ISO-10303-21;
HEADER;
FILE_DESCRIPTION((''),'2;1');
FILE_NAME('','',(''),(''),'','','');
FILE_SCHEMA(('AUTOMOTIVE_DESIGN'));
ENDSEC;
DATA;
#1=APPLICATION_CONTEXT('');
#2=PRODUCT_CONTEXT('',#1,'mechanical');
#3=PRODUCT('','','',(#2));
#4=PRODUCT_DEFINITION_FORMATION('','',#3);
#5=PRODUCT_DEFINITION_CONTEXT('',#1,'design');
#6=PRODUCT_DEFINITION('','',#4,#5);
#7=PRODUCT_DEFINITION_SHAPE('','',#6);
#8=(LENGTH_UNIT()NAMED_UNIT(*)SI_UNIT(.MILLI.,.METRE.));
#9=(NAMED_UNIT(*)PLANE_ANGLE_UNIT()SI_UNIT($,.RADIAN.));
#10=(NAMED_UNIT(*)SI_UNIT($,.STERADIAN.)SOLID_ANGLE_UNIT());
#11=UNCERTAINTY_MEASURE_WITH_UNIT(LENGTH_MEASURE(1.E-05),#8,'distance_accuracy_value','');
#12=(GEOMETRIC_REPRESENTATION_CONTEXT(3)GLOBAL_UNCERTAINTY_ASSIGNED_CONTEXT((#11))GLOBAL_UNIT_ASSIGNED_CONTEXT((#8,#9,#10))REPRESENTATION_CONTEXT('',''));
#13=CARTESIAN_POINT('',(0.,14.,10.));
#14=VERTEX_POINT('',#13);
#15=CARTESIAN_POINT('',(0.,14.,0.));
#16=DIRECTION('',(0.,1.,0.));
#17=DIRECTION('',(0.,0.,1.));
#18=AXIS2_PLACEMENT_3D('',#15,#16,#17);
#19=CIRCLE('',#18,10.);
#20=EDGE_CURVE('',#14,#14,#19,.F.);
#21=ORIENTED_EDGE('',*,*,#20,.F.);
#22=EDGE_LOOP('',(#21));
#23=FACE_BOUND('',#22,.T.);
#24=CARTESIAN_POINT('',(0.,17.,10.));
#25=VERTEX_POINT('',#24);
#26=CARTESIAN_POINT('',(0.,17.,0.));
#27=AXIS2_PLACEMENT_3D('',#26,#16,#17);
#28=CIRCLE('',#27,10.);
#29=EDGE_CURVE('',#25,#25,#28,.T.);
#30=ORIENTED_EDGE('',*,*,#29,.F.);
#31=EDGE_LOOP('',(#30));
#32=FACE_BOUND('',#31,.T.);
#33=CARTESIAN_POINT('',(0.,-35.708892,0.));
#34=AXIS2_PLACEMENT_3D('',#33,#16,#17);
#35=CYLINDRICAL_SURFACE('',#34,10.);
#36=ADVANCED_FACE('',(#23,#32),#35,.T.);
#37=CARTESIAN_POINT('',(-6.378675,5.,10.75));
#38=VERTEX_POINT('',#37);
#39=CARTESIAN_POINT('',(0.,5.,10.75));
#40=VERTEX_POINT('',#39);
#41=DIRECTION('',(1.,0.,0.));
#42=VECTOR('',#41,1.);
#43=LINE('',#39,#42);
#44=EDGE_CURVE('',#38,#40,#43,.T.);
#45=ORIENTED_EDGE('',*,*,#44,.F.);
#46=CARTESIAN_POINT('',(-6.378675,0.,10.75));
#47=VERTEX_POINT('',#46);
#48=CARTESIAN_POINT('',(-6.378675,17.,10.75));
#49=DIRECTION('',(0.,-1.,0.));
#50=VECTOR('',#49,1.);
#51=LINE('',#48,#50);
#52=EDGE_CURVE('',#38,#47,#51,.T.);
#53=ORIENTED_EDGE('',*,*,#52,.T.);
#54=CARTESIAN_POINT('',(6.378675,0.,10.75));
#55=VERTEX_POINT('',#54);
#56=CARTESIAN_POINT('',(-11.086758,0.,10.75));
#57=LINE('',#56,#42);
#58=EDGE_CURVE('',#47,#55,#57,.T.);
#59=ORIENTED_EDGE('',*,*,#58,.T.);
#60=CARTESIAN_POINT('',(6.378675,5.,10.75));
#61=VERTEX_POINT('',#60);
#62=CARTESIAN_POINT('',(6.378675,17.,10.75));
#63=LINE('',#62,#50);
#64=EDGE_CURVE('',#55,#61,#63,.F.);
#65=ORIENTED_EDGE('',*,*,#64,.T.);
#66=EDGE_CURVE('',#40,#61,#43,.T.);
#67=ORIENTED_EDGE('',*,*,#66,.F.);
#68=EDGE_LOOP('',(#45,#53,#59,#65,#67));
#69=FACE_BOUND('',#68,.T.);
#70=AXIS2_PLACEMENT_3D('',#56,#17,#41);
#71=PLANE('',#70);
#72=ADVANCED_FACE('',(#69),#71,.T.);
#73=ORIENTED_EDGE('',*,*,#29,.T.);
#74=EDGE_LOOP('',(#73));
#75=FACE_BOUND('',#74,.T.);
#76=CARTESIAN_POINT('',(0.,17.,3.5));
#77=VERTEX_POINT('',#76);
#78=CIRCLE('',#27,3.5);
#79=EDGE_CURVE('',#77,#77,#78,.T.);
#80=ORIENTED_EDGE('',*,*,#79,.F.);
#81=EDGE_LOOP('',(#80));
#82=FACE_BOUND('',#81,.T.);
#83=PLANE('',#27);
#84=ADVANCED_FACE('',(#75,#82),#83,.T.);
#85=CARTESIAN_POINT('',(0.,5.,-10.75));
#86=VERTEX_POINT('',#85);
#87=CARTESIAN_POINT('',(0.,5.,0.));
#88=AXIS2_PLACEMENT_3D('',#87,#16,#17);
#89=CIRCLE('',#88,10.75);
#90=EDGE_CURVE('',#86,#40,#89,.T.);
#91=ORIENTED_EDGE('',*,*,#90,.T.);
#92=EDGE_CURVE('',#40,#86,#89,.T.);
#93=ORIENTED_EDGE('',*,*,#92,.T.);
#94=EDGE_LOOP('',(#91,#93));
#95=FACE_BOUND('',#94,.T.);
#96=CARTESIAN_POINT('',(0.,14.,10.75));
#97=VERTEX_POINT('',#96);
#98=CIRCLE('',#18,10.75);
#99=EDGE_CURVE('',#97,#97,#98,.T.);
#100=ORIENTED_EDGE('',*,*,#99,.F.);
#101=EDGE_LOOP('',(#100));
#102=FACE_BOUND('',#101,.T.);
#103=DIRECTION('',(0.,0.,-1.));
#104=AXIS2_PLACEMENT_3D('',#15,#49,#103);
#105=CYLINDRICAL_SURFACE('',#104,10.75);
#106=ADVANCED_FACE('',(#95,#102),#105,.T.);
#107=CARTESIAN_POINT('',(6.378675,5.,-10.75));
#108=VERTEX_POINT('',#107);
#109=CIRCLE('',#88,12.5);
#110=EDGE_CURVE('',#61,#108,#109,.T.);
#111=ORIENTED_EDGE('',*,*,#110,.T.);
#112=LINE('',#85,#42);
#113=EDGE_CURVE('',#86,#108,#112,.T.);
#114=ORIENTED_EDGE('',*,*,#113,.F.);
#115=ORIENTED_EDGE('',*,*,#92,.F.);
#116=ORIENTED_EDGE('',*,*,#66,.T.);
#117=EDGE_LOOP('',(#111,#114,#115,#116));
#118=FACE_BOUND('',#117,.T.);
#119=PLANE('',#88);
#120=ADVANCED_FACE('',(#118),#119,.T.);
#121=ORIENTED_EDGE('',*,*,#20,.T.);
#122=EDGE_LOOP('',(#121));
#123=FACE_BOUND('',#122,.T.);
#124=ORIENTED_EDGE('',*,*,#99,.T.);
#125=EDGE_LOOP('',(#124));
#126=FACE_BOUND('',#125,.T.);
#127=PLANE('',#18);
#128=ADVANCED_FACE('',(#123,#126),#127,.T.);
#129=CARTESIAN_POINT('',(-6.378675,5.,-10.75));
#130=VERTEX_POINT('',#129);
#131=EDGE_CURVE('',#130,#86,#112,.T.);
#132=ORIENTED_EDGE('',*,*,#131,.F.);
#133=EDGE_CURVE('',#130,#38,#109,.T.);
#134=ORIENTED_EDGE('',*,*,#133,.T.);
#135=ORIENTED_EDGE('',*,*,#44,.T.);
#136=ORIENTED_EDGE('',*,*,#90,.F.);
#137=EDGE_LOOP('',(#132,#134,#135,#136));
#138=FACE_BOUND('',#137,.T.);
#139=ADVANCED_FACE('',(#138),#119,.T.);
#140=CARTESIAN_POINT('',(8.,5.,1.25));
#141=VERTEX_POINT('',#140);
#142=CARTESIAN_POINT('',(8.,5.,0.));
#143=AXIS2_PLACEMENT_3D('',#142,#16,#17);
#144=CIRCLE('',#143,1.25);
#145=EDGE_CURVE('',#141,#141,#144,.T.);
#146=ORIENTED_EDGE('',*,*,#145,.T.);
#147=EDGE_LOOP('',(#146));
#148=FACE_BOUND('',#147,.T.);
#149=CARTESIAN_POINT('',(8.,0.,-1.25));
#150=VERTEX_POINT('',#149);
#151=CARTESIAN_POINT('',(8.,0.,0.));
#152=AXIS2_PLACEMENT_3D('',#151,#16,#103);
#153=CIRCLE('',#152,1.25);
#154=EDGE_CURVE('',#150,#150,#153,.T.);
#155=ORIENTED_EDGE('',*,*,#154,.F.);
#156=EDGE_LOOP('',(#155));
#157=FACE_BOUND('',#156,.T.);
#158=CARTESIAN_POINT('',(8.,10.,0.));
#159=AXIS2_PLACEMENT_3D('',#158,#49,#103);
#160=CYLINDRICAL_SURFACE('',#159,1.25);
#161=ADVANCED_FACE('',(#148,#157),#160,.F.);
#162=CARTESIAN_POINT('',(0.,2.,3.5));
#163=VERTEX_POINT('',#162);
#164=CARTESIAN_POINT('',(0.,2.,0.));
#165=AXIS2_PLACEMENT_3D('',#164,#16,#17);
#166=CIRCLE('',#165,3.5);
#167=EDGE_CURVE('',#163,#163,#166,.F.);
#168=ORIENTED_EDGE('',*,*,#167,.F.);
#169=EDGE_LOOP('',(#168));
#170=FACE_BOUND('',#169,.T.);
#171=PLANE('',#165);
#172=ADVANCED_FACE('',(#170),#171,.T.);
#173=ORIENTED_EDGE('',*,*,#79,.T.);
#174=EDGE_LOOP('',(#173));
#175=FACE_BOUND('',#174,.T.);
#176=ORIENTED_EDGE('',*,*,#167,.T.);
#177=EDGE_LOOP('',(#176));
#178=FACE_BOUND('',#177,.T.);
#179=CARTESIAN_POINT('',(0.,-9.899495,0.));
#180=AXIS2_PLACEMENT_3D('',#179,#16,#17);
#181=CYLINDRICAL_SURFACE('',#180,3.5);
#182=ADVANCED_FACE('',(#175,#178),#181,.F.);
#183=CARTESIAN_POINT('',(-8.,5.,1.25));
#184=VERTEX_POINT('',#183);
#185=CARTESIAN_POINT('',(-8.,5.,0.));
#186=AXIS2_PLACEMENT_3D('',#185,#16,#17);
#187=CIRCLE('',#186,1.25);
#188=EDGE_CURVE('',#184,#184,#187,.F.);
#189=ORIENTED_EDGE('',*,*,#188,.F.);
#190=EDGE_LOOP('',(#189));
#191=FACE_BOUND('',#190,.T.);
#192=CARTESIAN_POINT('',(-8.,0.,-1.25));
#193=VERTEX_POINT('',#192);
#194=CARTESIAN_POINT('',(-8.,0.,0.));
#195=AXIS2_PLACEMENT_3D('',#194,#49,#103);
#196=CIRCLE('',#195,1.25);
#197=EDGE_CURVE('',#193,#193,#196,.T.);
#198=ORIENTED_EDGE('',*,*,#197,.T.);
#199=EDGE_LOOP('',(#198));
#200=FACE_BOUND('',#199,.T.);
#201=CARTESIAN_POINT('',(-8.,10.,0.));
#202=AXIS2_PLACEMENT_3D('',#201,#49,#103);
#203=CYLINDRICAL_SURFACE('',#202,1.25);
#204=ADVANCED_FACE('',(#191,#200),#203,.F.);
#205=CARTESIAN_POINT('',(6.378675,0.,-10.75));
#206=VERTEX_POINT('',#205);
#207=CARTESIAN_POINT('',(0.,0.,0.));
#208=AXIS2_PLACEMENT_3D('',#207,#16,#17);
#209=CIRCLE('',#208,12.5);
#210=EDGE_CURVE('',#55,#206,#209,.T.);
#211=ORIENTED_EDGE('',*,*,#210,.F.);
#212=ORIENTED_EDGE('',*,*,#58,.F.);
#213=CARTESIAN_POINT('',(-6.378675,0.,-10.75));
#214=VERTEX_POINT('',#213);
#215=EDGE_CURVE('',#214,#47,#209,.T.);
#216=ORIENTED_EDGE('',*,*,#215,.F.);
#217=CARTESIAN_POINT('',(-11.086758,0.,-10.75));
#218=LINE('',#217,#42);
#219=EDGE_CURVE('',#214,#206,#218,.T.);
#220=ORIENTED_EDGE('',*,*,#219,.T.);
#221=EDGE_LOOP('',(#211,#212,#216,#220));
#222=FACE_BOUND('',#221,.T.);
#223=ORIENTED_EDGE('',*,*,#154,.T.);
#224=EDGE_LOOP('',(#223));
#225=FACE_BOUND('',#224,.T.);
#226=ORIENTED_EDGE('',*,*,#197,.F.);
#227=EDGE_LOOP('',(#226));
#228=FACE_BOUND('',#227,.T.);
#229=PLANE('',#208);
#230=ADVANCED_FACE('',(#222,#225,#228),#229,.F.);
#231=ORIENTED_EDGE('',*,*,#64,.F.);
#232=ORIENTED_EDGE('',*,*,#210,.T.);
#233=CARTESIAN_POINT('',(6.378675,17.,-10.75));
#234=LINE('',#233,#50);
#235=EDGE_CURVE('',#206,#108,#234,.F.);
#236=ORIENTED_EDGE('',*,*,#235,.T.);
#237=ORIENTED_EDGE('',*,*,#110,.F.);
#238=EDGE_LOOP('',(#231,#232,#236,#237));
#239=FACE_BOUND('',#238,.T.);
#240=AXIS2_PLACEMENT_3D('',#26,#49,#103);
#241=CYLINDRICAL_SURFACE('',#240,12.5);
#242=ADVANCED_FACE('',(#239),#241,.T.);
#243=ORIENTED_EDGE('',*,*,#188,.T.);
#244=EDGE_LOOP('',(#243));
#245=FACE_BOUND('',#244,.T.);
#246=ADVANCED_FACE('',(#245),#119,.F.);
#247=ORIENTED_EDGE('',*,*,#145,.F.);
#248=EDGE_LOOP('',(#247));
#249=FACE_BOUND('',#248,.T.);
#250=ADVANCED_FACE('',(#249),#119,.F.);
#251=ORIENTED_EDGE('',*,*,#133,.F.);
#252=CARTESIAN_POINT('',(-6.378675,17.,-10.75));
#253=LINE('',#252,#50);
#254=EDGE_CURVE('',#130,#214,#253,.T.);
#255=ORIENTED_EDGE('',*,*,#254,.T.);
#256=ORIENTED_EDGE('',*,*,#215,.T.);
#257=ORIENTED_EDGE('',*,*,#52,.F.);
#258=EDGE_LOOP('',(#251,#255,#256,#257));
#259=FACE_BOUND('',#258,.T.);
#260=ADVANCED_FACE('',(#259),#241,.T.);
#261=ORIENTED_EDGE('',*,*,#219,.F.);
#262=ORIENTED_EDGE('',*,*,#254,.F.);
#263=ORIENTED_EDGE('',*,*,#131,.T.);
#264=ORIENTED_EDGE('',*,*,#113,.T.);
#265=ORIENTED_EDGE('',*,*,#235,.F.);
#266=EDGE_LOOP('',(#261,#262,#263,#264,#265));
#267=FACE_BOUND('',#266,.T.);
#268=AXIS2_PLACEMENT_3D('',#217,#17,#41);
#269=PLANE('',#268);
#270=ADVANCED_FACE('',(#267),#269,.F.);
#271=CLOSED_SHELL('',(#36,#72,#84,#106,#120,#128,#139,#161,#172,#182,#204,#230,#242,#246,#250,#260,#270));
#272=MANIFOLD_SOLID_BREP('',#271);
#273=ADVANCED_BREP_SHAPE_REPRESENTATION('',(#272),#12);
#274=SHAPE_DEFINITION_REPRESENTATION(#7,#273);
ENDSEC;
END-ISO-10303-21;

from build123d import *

# Parameters (mm, degrees)
SKETCH1_R           = 12.5
BOSS_EXTRUDE1_DEPTH = 17
SKETCH2_R           = 3.5
CUT_EXTRUDE1_DEPTH  = 15
SKETCH4_OUTSIDE_W   = 34.846
SKETCH4_OUTSIDE_H   = 34.846
SKETCH4_OUTSIDE_R   = 10
CUT_EXTRUDE3_DEPTH  = 12
SKETCH5_R           = 1.25
CUT_EXTRUDE4_DEPTH  = 10
SKETCH8_R           = 10.75
SKETCH8_R_2         = 4
BOSS_EXTRUDE3_DEPTH = 9
SKETCH7_W           = 22.925756412
SKETCH7_H           = 4.884412095
CUT_EXTRUDE6_DEPTH  = 6


with BuildPart() as part:
    # Sketch1 → Boss-Extrude1 (new body)
    with BuildSketch(Plane(origin=(0, 0, 0), x_dir=(1, 0, 0), z_dir=(0, 1, 0))):
        Circle(SKETCH1_R)
    extrude(amount=BOSS_EXTRUDE1_DEPTH)

    # Sketch2 → Cut-Extrude1 (cut)
    with BuildSketch(Plane(origin=(0, 17, 0), x_dir=(1, 0, 0), z_dir=(0, 1, 0))):
        Circle(SKETCH2_R)
    extrude(amount=-CUT_EXTRUDE1_DEPTH, mode=Mode.SUBTRACT)

    # Sketch4 outside → Cut-Extrude3 (cut)
    with BuildSketch(Plane(origin=(0, 17, 0), x_dir=(1, 0, 0), z_dir=(0, 1, 0))):
        Rectangle(SKETCH4_OUTSIDE_W, SKETCH4_OUTSIDE_H)
        Circle(SKETCH4_OUTSIDE_R, mode=Mode.SUBTRACT)
    extrude(amount=-CUT_EXTRUDE3_DEPTH, mode=Mode.SUBTRACT)

    # Sketch5 → Cut-Extrude4 (cut)
    with BuildSketch(Plane.XZ):
        with Locations((-8, 0)):
            Circle(SKETCH5_R)
    cut_extrude4 = extrude(amount=-CUT_EXTRUDE4_DEPTH, mode=Mode.SUBTRACT)

    # Mirror2: Cut-Extrude4 across plane
    add(cut_extrude4.mirror(Plane(origin=(0, 0, 0), x_dir=(0, 0, 1), z_dir=(1, 0, 0))), mode=Mode.SUBTRACT)

    # Sketch8 → Boss-Extrude3 (add)
    with BuildSketch(Plane(origin=(0, 5, 0), x_dir=(1, 0, 0), z_dir=(0, 1, 0))):
        Circle(SKETCH8_R)
        Circle(SKETCH8_R_2, mode=Mode.SUBTRACT)
    extrude(amount=BOSS_EXTRUDE3_DEPTH)

    # Sketch7 → Cut-Extrude6 (cut, through all)
    with BuildSketch(Plane(origin=(0, 5, 0), x_dir=(1, 0, 0), z_dir=(0, 1, 0))):
        with Locations((0.376120232, 13.192206048)):
            Rectangle(SKETCH7_W, SKETCH7_H)
    cut_extrude6 = extrude(amount=-CUT_EXTRUDE6_DEPTH, mode=Mode.SUBTRACT)

    # Mirror3: Cut-Extrude6 across plane
    add(cut_extrude6.mirror(Plane.XY), mode=Mode.SUBTRACT)


solid = part.part
